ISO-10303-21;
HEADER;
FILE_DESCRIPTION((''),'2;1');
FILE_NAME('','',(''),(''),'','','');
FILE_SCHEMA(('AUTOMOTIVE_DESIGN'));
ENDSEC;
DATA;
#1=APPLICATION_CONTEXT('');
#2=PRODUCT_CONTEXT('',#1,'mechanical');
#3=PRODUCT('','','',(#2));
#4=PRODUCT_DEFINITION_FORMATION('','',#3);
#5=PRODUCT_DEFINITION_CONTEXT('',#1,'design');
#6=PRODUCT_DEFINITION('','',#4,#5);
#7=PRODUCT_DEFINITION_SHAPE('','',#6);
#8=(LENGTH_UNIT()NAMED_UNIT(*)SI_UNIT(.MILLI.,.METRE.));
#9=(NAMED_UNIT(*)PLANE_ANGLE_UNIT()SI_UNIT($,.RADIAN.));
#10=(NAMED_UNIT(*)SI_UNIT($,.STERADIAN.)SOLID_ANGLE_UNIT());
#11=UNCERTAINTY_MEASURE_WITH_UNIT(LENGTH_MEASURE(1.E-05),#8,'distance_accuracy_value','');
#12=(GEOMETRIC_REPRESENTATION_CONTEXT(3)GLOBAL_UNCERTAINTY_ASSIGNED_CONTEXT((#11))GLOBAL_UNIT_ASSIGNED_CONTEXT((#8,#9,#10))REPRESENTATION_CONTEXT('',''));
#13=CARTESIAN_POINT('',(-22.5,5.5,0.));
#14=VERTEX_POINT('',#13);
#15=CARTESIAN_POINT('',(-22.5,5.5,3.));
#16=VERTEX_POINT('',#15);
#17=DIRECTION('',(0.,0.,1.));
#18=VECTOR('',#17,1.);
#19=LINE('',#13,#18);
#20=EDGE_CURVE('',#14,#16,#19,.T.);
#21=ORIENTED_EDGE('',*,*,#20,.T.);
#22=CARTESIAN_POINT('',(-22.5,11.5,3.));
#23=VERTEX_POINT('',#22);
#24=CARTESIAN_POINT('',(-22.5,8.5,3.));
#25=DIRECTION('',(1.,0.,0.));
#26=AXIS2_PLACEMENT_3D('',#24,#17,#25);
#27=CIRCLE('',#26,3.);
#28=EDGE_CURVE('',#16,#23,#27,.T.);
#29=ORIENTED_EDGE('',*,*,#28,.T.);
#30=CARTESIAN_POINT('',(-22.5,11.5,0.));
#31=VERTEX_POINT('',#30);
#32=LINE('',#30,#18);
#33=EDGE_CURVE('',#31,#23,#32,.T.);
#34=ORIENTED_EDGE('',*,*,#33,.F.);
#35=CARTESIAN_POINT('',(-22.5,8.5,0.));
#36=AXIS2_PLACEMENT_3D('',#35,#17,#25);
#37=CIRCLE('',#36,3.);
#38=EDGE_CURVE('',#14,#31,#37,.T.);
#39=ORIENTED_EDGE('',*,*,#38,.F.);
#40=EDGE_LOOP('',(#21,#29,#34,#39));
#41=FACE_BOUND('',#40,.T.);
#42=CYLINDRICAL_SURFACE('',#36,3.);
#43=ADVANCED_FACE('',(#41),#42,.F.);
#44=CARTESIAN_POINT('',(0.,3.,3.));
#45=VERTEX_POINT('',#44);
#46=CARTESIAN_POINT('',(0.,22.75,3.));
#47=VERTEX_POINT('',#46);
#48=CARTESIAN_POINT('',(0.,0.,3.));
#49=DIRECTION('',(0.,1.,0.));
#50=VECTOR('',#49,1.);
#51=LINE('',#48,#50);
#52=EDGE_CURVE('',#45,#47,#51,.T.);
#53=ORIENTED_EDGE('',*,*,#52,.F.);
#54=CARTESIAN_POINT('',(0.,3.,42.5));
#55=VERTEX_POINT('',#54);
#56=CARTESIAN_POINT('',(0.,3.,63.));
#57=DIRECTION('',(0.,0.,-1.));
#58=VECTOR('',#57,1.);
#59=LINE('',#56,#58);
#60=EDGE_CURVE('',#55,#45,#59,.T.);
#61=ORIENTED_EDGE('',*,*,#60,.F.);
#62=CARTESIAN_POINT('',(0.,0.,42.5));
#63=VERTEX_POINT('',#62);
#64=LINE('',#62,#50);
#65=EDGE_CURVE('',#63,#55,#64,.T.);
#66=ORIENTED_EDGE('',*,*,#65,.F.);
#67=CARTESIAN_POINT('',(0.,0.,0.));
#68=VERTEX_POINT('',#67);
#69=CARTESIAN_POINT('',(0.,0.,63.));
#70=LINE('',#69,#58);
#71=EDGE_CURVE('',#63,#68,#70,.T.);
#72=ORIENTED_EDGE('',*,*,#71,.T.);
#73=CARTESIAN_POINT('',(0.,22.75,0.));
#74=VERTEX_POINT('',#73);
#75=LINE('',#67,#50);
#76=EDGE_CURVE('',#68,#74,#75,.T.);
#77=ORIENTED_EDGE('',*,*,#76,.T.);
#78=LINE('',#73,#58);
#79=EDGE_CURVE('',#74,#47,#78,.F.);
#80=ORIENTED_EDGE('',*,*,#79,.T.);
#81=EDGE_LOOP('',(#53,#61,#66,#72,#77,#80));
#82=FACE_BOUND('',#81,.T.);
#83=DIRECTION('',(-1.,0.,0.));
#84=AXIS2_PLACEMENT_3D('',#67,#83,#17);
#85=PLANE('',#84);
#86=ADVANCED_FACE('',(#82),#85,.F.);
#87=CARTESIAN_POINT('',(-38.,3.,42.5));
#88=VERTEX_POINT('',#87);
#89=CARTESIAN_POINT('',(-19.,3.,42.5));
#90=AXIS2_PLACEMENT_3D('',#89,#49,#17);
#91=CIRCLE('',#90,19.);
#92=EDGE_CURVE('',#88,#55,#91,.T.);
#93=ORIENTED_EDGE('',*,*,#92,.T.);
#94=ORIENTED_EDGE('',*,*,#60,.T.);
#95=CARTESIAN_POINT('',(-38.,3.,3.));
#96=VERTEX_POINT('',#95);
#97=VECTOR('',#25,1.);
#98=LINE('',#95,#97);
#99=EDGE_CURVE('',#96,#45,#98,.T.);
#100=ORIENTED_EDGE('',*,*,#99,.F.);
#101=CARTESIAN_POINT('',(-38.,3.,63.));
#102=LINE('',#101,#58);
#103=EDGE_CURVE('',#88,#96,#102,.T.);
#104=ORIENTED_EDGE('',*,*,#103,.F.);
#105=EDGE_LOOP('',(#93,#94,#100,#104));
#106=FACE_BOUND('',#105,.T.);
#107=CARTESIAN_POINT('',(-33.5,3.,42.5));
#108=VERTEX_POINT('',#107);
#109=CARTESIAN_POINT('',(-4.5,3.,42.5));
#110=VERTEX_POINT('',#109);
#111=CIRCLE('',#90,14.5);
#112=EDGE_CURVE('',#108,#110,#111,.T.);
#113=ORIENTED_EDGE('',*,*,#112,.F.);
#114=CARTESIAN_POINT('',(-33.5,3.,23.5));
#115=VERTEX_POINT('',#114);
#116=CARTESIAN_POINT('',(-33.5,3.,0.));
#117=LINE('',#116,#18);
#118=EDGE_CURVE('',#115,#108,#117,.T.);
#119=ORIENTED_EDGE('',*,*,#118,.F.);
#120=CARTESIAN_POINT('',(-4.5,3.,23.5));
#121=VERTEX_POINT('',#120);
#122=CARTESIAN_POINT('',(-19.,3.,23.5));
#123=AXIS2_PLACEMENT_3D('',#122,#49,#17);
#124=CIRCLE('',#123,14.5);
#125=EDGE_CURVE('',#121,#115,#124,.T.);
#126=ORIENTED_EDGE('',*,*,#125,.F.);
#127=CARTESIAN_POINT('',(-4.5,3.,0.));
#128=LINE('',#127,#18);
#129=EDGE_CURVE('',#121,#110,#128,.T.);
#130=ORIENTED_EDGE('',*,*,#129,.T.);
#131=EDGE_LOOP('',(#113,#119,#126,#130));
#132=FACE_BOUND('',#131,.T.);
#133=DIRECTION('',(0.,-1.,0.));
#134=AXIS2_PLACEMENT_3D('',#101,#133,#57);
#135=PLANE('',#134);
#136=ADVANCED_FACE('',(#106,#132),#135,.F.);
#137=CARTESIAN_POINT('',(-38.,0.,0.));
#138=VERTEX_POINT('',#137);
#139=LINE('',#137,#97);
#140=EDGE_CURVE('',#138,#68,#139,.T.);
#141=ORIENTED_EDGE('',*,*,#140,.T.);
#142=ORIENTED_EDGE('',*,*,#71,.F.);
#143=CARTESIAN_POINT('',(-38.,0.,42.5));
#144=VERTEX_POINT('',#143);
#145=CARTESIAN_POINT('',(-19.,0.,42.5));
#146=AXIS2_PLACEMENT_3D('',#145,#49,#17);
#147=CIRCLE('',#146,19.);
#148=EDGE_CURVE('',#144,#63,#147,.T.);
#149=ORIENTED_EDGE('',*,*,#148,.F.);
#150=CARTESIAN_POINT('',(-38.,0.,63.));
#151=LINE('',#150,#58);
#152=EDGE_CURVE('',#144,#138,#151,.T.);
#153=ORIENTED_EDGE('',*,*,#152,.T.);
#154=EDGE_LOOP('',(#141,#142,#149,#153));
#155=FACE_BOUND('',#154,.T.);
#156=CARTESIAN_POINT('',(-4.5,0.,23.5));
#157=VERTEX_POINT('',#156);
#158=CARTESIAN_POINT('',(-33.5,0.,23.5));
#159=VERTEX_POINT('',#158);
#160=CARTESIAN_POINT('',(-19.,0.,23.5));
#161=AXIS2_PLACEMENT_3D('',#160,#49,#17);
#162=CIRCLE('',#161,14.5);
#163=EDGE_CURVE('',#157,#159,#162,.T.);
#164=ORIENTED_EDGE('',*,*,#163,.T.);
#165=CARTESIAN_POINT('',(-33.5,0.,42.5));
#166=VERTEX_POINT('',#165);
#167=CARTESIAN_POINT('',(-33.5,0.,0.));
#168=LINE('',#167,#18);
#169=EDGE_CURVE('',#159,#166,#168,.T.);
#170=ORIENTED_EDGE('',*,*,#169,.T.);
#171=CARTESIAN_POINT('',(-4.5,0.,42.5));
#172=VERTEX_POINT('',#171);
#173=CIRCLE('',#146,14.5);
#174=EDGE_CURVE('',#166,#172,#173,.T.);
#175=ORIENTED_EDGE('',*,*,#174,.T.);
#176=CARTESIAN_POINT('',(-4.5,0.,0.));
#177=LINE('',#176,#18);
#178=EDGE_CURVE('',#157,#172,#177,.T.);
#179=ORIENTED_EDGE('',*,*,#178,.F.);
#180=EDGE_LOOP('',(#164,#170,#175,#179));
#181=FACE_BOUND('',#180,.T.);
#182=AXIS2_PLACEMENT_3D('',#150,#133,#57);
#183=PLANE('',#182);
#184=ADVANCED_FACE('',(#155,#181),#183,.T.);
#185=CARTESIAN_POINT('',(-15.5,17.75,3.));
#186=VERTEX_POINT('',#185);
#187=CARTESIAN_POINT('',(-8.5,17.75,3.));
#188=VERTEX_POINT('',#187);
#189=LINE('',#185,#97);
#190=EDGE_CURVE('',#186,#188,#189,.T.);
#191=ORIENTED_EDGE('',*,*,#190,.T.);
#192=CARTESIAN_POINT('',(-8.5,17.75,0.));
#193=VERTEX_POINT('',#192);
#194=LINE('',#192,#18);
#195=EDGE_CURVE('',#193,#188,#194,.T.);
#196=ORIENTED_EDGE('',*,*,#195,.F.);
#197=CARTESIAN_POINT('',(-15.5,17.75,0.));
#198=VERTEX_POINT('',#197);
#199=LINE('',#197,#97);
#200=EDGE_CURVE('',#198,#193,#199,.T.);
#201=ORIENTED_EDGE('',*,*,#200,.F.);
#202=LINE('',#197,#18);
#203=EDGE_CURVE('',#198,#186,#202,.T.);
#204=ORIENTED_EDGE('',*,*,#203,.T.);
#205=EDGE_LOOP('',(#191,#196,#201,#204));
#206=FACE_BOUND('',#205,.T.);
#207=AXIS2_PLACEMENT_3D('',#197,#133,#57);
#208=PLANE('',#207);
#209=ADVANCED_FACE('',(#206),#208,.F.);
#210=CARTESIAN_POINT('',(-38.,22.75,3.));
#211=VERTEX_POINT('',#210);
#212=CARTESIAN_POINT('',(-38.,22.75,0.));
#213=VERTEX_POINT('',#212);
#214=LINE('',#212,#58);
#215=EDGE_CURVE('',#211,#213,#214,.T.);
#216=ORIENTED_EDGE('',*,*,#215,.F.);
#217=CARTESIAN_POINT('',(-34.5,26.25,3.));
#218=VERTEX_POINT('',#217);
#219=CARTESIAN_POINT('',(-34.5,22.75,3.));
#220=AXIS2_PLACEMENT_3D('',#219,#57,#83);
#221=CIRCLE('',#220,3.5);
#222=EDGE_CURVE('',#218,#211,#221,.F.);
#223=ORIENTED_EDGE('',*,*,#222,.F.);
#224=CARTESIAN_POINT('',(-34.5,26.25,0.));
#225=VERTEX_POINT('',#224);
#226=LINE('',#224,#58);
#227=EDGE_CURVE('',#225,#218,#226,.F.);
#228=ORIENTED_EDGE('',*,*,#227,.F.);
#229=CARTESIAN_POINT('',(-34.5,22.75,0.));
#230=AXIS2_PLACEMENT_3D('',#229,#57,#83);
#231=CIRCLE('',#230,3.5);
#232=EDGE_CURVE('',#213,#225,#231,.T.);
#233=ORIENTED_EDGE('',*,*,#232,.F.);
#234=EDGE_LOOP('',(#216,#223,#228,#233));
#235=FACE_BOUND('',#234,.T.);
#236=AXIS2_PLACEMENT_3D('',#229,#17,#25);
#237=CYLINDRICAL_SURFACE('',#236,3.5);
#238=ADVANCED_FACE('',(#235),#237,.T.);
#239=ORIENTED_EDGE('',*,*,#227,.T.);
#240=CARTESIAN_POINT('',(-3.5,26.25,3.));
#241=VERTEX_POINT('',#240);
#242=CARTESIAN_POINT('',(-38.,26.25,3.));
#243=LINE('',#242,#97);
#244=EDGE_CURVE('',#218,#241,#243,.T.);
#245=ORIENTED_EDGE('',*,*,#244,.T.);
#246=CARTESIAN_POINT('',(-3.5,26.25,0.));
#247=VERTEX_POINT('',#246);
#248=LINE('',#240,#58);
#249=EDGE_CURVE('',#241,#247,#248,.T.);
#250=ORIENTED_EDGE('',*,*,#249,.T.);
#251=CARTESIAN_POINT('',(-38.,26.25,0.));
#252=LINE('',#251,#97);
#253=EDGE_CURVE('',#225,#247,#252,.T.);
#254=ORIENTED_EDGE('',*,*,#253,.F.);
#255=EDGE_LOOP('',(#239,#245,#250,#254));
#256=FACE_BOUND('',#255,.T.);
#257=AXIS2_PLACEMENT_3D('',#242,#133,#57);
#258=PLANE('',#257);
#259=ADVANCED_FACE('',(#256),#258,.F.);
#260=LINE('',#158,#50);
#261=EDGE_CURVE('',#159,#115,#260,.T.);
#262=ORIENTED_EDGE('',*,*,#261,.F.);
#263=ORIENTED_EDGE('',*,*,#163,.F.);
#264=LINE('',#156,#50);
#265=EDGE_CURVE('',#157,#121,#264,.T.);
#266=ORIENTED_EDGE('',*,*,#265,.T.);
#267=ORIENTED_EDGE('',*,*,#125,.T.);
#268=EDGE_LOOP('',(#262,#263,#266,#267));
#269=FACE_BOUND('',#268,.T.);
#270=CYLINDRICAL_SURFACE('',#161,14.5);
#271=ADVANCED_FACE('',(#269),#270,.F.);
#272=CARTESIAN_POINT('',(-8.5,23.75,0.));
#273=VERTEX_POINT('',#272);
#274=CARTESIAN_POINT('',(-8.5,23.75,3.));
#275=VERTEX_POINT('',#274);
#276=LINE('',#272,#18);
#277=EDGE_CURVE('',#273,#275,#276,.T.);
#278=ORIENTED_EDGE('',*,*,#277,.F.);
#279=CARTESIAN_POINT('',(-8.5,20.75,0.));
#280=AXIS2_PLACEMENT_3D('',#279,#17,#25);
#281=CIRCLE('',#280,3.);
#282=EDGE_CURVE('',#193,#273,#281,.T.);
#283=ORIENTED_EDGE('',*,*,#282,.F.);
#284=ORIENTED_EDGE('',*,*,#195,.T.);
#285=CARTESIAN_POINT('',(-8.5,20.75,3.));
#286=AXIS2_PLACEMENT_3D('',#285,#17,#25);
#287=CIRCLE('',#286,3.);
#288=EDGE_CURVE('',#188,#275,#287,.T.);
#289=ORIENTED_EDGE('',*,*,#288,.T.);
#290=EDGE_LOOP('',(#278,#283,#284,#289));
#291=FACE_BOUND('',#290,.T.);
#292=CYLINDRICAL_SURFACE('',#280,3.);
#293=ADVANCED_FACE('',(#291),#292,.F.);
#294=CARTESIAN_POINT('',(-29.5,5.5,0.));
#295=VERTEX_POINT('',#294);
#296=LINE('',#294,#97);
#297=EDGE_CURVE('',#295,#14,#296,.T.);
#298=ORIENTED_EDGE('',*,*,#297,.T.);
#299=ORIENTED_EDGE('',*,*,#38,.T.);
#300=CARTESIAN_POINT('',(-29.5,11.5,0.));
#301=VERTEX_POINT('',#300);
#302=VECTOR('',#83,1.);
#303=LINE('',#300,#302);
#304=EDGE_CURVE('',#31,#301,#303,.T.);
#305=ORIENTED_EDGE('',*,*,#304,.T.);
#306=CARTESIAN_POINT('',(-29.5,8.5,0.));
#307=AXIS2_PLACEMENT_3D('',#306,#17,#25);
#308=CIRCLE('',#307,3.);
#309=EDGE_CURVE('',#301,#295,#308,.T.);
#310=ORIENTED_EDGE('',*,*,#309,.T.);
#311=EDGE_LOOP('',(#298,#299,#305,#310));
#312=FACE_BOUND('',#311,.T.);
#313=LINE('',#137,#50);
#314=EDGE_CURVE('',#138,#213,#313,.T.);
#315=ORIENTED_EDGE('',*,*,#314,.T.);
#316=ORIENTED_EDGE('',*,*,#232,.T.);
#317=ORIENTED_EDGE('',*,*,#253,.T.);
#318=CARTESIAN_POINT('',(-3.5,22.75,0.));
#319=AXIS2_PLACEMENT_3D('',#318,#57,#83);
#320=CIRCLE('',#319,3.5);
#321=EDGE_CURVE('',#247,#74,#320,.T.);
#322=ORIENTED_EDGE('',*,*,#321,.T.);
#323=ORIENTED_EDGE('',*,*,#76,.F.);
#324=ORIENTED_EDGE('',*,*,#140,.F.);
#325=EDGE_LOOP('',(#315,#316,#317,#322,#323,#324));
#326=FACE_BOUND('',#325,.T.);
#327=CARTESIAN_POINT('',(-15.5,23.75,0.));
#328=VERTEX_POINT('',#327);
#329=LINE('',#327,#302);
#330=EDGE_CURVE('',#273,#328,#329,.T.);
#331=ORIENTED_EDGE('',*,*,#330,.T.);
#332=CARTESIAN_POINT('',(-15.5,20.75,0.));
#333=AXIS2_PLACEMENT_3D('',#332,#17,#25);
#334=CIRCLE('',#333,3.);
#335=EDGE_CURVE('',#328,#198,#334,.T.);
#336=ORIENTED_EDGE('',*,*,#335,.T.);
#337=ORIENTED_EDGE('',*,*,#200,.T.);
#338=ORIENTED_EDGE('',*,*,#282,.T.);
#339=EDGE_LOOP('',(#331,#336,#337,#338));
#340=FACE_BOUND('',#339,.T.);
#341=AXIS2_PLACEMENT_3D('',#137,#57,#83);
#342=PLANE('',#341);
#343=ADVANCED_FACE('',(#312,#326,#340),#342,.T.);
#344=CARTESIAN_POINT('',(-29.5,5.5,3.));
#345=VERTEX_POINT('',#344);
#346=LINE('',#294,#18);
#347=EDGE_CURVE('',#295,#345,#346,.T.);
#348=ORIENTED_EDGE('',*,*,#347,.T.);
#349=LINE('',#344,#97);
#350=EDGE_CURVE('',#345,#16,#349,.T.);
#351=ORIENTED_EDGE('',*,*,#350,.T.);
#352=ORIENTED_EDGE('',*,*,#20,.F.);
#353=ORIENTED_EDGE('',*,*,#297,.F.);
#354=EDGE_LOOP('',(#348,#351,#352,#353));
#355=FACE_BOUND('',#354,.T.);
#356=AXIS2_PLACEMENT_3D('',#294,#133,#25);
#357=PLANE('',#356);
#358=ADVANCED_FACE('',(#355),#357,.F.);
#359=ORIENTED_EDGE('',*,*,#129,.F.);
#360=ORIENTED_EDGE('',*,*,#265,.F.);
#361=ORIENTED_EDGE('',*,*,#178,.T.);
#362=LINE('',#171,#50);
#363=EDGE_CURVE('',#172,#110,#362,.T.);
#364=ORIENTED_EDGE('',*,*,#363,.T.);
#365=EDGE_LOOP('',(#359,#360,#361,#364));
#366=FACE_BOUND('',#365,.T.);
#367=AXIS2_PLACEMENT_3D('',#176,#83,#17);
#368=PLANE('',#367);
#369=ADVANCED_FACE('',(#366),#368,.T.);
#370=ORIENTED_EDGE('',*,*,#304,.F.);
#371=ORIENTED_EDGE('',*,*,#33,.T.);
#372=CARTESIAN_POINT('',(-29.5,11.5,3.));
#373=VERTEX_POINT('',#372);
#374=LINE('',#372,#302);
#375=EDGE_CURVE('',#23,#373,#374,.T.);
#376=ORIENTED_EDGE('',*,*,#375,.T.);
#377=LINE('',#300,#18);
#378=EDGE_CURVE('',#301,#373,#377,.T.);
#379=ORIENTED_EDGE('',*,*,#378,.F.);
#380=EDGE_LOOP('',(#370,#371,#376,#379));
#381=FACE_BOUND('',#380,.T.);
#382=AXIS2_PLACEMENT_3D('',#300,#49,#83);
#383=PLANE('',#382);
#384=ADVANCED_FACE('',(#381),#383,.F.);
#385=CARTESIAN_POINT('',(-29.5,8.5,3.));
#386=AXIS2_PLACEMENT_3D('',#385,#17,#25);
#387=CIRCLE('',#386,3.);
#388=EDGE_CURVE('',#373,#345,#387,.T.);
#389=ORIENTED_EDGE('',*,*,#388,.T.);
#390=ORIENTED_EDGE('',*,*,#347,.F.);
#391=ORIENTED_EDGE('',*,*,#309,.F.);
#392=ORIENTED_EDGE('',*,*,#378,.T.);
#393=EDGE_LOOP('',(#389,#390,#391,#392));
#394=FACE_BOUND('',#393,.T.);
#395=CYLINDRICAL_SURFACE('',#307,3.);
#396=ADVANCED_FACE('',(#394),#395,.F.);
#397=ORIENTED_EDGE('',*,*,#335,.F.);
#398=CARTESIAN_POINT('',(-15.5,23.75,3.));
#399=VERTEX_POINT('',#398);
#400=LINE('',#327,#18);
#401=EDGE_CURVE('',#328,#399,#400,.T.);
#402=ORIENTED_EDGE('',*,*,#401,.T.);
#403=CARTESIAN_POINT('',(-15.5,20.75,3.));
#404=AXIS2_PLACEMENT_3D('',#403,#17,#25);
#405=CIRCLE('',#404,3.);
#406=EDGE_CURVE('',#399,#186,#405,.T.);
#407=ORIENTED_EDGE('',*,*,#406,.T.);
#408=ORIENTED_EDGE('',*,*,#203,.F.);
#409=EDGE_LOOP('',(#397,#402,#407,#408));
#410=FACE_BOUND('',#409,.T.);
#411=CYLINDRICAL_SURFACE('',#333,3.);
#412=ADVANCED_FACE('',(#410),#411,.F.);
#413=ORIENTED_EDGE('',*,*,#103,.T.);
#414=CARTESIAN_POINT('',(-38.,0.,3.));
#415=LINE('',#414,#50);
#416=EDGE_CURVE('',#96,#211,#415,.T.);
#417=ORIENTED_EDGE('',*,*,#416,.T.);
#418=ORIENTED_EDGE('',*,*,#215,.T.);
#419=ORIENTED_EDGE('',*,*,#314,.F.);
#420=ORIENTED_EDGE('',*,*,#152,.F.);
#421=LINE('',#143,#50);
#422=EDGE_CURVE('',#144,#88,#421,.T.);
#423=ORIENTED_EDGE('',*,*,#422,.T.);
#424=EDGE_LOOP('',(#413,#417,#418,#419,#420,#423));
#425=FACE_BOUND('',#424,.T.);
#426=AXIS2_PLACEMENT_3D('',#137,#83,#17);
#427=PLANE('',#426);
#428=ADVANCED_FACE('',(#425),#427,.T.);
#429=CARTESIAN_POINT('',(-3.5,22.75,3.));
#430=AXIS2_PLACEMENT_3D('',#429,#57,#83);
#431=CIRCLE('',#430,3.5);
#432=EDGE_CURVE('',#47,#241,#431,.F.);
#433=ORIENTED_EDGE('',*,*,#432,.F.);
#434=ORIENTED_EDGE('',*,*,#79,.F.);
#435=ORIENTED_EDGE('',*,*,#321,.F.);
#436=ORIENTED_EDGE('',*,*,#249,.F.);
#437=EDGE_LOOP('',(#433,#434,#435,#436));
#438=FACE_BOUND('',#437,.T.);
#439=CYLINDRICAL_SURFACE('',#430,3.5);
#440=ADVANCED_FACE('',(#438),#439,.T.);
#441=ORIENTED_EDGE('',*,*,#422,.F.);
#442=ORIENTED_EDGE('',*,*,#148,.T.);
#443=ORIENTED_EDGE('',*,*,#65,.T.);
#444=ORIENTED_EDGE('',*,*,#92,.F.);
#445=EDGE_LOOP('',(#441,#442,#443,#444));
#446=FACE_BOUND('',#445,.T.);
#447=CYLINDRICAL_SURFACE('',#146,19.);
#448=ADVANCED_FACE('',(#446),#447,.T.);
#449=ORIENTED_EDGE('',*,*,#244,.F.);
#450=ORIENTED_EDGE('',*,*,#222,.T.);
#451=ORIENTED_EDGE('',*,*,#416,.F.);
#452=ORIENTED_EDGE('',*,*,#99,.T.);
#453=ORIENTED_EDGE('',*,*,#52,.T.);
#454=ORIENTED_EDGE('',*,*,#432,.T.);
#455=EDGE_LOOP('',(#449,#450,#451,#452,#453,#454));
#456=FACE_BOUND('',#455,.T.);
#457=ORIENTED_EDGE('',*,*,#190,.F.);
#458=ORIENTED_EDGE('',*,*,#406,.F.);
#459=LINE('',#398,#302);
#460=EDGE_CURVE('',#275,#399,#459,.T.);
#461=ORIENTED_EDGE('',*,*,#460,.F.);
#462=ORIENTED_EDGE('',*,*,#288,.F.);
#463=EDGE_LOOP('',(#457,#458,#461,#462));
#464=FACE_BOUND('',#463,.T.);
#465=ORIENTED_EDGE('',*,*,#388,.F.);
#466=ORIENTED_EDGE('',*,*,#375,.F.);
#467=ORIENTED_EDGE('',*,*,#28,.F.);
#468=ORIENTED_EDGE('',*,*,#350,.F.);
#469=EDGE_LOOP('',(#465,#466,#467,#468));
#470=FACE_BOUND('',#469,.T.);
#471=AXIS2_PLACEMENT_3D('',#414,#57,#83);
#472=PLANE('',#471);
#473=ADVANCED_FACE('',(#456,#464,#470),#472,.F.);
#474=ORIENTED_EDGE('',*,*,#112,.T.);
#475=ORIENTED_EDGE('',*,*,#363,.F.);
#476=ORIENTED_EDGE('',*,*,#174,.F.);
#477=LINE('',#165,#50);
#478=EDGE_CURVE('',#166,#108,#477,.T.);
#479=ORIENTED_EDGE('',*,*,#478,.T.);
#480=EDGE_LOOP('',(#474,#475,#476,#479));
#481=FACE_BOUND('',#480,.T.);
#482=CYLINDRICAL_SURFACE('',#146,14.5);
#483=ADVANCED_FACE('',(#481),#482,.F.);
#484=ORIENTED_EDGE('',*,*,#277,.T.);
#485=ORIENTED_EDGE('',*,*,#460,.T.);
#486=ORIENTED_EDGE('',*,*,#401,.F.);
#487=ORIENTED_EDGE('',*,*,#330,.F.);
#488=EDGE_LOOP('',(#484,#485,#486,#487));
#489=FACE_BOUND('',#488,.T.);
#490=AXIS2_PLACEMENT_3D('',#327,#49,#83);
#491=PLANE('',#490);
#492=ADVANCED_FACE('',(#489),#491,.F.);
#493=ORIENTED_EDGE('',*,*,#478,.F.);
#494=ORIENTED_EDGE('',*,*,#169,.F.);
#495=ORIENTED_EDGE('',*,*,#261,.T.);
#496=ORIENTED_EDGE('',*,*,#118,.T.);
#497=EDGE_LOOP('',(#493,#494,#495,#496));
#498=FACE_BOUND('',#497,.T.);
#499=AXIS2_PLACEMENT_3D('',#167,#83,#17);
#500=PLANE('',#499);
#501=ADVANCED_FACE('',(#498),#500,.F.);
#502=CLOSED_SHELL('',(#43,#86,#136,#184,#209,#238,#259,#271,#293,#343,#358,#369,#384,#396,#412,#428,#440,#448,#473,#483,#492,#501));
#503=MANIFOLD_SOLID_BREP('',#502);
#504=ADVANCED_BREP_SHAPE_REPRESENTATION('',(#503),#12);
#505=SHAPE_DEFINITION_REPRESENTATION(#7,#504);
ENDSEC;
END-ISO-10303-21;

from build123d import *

# Parameters (mm, degrees)
EXTRUDE_THIN1_DEPTH = 38
CUT_EXTRUDE1_DEPTH  = 4
FILLET1_R           = 3.5
FILLET2_R           = 3.5
CUT_EXTRUDE2_DEPTH  = 4


with BuildPart() as part:
    # Sketch2 → Extrude-Thin1 (new body)
    with BuildSketch(Plane(origin=(0, 0, 0), x_dir=(0, 0, -1), z_dir=(1, 0, 0))):
        Polygon((-63, 0), (0, 0), (0, 26.25), (-3, 26.25), (-3, 3), (-63, 3), align=None)
    extrude(amount=-EXTRUDE_THIN1_DEPTH)

    # Sketch3 → Cut-Extrude1 (cut, through all)
    with BuildSketch(Plane.XY.offset(3)):
        with BuildLine():
            Line((-29.5, 11.5), (-22.5, 11.5))
            ThreePointArc((-22.5, 11.5), (-19.5, 8.5), (-22.5, 5.5))
            Line((-22.5, 5.5), (-29.5, 5.5))
            ThreePointArc((-29.5, 5.5), (-32.5, 8.5), (-29.5, 11.5))
        make_face()
        with BuildLine():
            Line((-15.5, 23.75), (-8.5, 23.75))
            ThreePointArc((-8.5, 23.75), (-5.5, 20.75), (-8.5, 17.75))
            Line((-8.5, 17.75), (-15.5, 17.75))
            ThreePointArc((-15.5, 17.75), (-18.5, 20.75), (-15.5, 23.75))
        make_face()
    extrude(amount=-CUT_EXTRUDE1_DEPTH, mode=Mode.SUBTRACT)

    # Fillet1
    fillet1_edges = [part.edges().sort_by_distance(p)[0] for p in [
        (-38, 26.25, 1.5),
    ]]
    fillet(fillet1_edges, radius=FILLET1_R)

    # Fillet2
    fillet2_edges = [part.edges().sort_by_distance(p)[0] for p in [
        (0, 26.25, 1.5),
    ]]
    fillet(fillet2_edges, radius=FILLET2_R)

    # Sketch4 → Cut-Extrude2 (cut, through all)
    with BuildSketch(Plane(origin=(0, 3, 0), x_dir=(1, 0, 0), z_dir=(0, 1, 0))):
        with BuildLine():
            Line((-33.5, -23.5), (-33.5, -42.5))
            ThreePointArc((-33.5, -42.5), (-19, -57), (-4.5, -42.5))
            Line((-4.5, -42.5), (-4.5, -23.5))
            ThreePointArc((-4.5, -23.5), (-19, -9), (-33.5, -23.5))
        make_face()
        with BuildLine():
            Line((0, -63), (0, -42.5))
            ThreePointArc((0, -42.5), (-19, -61.5), (-38, -42.5))
            Line((-38, -42.5), (-38, -63))
            Line((-38, -63), (0, -63))
        make_face()
    extrude(amount=-CUT_EXTRUDE2_DEPTH, mode=Mode.SUBTRACT)


solid = part.part
